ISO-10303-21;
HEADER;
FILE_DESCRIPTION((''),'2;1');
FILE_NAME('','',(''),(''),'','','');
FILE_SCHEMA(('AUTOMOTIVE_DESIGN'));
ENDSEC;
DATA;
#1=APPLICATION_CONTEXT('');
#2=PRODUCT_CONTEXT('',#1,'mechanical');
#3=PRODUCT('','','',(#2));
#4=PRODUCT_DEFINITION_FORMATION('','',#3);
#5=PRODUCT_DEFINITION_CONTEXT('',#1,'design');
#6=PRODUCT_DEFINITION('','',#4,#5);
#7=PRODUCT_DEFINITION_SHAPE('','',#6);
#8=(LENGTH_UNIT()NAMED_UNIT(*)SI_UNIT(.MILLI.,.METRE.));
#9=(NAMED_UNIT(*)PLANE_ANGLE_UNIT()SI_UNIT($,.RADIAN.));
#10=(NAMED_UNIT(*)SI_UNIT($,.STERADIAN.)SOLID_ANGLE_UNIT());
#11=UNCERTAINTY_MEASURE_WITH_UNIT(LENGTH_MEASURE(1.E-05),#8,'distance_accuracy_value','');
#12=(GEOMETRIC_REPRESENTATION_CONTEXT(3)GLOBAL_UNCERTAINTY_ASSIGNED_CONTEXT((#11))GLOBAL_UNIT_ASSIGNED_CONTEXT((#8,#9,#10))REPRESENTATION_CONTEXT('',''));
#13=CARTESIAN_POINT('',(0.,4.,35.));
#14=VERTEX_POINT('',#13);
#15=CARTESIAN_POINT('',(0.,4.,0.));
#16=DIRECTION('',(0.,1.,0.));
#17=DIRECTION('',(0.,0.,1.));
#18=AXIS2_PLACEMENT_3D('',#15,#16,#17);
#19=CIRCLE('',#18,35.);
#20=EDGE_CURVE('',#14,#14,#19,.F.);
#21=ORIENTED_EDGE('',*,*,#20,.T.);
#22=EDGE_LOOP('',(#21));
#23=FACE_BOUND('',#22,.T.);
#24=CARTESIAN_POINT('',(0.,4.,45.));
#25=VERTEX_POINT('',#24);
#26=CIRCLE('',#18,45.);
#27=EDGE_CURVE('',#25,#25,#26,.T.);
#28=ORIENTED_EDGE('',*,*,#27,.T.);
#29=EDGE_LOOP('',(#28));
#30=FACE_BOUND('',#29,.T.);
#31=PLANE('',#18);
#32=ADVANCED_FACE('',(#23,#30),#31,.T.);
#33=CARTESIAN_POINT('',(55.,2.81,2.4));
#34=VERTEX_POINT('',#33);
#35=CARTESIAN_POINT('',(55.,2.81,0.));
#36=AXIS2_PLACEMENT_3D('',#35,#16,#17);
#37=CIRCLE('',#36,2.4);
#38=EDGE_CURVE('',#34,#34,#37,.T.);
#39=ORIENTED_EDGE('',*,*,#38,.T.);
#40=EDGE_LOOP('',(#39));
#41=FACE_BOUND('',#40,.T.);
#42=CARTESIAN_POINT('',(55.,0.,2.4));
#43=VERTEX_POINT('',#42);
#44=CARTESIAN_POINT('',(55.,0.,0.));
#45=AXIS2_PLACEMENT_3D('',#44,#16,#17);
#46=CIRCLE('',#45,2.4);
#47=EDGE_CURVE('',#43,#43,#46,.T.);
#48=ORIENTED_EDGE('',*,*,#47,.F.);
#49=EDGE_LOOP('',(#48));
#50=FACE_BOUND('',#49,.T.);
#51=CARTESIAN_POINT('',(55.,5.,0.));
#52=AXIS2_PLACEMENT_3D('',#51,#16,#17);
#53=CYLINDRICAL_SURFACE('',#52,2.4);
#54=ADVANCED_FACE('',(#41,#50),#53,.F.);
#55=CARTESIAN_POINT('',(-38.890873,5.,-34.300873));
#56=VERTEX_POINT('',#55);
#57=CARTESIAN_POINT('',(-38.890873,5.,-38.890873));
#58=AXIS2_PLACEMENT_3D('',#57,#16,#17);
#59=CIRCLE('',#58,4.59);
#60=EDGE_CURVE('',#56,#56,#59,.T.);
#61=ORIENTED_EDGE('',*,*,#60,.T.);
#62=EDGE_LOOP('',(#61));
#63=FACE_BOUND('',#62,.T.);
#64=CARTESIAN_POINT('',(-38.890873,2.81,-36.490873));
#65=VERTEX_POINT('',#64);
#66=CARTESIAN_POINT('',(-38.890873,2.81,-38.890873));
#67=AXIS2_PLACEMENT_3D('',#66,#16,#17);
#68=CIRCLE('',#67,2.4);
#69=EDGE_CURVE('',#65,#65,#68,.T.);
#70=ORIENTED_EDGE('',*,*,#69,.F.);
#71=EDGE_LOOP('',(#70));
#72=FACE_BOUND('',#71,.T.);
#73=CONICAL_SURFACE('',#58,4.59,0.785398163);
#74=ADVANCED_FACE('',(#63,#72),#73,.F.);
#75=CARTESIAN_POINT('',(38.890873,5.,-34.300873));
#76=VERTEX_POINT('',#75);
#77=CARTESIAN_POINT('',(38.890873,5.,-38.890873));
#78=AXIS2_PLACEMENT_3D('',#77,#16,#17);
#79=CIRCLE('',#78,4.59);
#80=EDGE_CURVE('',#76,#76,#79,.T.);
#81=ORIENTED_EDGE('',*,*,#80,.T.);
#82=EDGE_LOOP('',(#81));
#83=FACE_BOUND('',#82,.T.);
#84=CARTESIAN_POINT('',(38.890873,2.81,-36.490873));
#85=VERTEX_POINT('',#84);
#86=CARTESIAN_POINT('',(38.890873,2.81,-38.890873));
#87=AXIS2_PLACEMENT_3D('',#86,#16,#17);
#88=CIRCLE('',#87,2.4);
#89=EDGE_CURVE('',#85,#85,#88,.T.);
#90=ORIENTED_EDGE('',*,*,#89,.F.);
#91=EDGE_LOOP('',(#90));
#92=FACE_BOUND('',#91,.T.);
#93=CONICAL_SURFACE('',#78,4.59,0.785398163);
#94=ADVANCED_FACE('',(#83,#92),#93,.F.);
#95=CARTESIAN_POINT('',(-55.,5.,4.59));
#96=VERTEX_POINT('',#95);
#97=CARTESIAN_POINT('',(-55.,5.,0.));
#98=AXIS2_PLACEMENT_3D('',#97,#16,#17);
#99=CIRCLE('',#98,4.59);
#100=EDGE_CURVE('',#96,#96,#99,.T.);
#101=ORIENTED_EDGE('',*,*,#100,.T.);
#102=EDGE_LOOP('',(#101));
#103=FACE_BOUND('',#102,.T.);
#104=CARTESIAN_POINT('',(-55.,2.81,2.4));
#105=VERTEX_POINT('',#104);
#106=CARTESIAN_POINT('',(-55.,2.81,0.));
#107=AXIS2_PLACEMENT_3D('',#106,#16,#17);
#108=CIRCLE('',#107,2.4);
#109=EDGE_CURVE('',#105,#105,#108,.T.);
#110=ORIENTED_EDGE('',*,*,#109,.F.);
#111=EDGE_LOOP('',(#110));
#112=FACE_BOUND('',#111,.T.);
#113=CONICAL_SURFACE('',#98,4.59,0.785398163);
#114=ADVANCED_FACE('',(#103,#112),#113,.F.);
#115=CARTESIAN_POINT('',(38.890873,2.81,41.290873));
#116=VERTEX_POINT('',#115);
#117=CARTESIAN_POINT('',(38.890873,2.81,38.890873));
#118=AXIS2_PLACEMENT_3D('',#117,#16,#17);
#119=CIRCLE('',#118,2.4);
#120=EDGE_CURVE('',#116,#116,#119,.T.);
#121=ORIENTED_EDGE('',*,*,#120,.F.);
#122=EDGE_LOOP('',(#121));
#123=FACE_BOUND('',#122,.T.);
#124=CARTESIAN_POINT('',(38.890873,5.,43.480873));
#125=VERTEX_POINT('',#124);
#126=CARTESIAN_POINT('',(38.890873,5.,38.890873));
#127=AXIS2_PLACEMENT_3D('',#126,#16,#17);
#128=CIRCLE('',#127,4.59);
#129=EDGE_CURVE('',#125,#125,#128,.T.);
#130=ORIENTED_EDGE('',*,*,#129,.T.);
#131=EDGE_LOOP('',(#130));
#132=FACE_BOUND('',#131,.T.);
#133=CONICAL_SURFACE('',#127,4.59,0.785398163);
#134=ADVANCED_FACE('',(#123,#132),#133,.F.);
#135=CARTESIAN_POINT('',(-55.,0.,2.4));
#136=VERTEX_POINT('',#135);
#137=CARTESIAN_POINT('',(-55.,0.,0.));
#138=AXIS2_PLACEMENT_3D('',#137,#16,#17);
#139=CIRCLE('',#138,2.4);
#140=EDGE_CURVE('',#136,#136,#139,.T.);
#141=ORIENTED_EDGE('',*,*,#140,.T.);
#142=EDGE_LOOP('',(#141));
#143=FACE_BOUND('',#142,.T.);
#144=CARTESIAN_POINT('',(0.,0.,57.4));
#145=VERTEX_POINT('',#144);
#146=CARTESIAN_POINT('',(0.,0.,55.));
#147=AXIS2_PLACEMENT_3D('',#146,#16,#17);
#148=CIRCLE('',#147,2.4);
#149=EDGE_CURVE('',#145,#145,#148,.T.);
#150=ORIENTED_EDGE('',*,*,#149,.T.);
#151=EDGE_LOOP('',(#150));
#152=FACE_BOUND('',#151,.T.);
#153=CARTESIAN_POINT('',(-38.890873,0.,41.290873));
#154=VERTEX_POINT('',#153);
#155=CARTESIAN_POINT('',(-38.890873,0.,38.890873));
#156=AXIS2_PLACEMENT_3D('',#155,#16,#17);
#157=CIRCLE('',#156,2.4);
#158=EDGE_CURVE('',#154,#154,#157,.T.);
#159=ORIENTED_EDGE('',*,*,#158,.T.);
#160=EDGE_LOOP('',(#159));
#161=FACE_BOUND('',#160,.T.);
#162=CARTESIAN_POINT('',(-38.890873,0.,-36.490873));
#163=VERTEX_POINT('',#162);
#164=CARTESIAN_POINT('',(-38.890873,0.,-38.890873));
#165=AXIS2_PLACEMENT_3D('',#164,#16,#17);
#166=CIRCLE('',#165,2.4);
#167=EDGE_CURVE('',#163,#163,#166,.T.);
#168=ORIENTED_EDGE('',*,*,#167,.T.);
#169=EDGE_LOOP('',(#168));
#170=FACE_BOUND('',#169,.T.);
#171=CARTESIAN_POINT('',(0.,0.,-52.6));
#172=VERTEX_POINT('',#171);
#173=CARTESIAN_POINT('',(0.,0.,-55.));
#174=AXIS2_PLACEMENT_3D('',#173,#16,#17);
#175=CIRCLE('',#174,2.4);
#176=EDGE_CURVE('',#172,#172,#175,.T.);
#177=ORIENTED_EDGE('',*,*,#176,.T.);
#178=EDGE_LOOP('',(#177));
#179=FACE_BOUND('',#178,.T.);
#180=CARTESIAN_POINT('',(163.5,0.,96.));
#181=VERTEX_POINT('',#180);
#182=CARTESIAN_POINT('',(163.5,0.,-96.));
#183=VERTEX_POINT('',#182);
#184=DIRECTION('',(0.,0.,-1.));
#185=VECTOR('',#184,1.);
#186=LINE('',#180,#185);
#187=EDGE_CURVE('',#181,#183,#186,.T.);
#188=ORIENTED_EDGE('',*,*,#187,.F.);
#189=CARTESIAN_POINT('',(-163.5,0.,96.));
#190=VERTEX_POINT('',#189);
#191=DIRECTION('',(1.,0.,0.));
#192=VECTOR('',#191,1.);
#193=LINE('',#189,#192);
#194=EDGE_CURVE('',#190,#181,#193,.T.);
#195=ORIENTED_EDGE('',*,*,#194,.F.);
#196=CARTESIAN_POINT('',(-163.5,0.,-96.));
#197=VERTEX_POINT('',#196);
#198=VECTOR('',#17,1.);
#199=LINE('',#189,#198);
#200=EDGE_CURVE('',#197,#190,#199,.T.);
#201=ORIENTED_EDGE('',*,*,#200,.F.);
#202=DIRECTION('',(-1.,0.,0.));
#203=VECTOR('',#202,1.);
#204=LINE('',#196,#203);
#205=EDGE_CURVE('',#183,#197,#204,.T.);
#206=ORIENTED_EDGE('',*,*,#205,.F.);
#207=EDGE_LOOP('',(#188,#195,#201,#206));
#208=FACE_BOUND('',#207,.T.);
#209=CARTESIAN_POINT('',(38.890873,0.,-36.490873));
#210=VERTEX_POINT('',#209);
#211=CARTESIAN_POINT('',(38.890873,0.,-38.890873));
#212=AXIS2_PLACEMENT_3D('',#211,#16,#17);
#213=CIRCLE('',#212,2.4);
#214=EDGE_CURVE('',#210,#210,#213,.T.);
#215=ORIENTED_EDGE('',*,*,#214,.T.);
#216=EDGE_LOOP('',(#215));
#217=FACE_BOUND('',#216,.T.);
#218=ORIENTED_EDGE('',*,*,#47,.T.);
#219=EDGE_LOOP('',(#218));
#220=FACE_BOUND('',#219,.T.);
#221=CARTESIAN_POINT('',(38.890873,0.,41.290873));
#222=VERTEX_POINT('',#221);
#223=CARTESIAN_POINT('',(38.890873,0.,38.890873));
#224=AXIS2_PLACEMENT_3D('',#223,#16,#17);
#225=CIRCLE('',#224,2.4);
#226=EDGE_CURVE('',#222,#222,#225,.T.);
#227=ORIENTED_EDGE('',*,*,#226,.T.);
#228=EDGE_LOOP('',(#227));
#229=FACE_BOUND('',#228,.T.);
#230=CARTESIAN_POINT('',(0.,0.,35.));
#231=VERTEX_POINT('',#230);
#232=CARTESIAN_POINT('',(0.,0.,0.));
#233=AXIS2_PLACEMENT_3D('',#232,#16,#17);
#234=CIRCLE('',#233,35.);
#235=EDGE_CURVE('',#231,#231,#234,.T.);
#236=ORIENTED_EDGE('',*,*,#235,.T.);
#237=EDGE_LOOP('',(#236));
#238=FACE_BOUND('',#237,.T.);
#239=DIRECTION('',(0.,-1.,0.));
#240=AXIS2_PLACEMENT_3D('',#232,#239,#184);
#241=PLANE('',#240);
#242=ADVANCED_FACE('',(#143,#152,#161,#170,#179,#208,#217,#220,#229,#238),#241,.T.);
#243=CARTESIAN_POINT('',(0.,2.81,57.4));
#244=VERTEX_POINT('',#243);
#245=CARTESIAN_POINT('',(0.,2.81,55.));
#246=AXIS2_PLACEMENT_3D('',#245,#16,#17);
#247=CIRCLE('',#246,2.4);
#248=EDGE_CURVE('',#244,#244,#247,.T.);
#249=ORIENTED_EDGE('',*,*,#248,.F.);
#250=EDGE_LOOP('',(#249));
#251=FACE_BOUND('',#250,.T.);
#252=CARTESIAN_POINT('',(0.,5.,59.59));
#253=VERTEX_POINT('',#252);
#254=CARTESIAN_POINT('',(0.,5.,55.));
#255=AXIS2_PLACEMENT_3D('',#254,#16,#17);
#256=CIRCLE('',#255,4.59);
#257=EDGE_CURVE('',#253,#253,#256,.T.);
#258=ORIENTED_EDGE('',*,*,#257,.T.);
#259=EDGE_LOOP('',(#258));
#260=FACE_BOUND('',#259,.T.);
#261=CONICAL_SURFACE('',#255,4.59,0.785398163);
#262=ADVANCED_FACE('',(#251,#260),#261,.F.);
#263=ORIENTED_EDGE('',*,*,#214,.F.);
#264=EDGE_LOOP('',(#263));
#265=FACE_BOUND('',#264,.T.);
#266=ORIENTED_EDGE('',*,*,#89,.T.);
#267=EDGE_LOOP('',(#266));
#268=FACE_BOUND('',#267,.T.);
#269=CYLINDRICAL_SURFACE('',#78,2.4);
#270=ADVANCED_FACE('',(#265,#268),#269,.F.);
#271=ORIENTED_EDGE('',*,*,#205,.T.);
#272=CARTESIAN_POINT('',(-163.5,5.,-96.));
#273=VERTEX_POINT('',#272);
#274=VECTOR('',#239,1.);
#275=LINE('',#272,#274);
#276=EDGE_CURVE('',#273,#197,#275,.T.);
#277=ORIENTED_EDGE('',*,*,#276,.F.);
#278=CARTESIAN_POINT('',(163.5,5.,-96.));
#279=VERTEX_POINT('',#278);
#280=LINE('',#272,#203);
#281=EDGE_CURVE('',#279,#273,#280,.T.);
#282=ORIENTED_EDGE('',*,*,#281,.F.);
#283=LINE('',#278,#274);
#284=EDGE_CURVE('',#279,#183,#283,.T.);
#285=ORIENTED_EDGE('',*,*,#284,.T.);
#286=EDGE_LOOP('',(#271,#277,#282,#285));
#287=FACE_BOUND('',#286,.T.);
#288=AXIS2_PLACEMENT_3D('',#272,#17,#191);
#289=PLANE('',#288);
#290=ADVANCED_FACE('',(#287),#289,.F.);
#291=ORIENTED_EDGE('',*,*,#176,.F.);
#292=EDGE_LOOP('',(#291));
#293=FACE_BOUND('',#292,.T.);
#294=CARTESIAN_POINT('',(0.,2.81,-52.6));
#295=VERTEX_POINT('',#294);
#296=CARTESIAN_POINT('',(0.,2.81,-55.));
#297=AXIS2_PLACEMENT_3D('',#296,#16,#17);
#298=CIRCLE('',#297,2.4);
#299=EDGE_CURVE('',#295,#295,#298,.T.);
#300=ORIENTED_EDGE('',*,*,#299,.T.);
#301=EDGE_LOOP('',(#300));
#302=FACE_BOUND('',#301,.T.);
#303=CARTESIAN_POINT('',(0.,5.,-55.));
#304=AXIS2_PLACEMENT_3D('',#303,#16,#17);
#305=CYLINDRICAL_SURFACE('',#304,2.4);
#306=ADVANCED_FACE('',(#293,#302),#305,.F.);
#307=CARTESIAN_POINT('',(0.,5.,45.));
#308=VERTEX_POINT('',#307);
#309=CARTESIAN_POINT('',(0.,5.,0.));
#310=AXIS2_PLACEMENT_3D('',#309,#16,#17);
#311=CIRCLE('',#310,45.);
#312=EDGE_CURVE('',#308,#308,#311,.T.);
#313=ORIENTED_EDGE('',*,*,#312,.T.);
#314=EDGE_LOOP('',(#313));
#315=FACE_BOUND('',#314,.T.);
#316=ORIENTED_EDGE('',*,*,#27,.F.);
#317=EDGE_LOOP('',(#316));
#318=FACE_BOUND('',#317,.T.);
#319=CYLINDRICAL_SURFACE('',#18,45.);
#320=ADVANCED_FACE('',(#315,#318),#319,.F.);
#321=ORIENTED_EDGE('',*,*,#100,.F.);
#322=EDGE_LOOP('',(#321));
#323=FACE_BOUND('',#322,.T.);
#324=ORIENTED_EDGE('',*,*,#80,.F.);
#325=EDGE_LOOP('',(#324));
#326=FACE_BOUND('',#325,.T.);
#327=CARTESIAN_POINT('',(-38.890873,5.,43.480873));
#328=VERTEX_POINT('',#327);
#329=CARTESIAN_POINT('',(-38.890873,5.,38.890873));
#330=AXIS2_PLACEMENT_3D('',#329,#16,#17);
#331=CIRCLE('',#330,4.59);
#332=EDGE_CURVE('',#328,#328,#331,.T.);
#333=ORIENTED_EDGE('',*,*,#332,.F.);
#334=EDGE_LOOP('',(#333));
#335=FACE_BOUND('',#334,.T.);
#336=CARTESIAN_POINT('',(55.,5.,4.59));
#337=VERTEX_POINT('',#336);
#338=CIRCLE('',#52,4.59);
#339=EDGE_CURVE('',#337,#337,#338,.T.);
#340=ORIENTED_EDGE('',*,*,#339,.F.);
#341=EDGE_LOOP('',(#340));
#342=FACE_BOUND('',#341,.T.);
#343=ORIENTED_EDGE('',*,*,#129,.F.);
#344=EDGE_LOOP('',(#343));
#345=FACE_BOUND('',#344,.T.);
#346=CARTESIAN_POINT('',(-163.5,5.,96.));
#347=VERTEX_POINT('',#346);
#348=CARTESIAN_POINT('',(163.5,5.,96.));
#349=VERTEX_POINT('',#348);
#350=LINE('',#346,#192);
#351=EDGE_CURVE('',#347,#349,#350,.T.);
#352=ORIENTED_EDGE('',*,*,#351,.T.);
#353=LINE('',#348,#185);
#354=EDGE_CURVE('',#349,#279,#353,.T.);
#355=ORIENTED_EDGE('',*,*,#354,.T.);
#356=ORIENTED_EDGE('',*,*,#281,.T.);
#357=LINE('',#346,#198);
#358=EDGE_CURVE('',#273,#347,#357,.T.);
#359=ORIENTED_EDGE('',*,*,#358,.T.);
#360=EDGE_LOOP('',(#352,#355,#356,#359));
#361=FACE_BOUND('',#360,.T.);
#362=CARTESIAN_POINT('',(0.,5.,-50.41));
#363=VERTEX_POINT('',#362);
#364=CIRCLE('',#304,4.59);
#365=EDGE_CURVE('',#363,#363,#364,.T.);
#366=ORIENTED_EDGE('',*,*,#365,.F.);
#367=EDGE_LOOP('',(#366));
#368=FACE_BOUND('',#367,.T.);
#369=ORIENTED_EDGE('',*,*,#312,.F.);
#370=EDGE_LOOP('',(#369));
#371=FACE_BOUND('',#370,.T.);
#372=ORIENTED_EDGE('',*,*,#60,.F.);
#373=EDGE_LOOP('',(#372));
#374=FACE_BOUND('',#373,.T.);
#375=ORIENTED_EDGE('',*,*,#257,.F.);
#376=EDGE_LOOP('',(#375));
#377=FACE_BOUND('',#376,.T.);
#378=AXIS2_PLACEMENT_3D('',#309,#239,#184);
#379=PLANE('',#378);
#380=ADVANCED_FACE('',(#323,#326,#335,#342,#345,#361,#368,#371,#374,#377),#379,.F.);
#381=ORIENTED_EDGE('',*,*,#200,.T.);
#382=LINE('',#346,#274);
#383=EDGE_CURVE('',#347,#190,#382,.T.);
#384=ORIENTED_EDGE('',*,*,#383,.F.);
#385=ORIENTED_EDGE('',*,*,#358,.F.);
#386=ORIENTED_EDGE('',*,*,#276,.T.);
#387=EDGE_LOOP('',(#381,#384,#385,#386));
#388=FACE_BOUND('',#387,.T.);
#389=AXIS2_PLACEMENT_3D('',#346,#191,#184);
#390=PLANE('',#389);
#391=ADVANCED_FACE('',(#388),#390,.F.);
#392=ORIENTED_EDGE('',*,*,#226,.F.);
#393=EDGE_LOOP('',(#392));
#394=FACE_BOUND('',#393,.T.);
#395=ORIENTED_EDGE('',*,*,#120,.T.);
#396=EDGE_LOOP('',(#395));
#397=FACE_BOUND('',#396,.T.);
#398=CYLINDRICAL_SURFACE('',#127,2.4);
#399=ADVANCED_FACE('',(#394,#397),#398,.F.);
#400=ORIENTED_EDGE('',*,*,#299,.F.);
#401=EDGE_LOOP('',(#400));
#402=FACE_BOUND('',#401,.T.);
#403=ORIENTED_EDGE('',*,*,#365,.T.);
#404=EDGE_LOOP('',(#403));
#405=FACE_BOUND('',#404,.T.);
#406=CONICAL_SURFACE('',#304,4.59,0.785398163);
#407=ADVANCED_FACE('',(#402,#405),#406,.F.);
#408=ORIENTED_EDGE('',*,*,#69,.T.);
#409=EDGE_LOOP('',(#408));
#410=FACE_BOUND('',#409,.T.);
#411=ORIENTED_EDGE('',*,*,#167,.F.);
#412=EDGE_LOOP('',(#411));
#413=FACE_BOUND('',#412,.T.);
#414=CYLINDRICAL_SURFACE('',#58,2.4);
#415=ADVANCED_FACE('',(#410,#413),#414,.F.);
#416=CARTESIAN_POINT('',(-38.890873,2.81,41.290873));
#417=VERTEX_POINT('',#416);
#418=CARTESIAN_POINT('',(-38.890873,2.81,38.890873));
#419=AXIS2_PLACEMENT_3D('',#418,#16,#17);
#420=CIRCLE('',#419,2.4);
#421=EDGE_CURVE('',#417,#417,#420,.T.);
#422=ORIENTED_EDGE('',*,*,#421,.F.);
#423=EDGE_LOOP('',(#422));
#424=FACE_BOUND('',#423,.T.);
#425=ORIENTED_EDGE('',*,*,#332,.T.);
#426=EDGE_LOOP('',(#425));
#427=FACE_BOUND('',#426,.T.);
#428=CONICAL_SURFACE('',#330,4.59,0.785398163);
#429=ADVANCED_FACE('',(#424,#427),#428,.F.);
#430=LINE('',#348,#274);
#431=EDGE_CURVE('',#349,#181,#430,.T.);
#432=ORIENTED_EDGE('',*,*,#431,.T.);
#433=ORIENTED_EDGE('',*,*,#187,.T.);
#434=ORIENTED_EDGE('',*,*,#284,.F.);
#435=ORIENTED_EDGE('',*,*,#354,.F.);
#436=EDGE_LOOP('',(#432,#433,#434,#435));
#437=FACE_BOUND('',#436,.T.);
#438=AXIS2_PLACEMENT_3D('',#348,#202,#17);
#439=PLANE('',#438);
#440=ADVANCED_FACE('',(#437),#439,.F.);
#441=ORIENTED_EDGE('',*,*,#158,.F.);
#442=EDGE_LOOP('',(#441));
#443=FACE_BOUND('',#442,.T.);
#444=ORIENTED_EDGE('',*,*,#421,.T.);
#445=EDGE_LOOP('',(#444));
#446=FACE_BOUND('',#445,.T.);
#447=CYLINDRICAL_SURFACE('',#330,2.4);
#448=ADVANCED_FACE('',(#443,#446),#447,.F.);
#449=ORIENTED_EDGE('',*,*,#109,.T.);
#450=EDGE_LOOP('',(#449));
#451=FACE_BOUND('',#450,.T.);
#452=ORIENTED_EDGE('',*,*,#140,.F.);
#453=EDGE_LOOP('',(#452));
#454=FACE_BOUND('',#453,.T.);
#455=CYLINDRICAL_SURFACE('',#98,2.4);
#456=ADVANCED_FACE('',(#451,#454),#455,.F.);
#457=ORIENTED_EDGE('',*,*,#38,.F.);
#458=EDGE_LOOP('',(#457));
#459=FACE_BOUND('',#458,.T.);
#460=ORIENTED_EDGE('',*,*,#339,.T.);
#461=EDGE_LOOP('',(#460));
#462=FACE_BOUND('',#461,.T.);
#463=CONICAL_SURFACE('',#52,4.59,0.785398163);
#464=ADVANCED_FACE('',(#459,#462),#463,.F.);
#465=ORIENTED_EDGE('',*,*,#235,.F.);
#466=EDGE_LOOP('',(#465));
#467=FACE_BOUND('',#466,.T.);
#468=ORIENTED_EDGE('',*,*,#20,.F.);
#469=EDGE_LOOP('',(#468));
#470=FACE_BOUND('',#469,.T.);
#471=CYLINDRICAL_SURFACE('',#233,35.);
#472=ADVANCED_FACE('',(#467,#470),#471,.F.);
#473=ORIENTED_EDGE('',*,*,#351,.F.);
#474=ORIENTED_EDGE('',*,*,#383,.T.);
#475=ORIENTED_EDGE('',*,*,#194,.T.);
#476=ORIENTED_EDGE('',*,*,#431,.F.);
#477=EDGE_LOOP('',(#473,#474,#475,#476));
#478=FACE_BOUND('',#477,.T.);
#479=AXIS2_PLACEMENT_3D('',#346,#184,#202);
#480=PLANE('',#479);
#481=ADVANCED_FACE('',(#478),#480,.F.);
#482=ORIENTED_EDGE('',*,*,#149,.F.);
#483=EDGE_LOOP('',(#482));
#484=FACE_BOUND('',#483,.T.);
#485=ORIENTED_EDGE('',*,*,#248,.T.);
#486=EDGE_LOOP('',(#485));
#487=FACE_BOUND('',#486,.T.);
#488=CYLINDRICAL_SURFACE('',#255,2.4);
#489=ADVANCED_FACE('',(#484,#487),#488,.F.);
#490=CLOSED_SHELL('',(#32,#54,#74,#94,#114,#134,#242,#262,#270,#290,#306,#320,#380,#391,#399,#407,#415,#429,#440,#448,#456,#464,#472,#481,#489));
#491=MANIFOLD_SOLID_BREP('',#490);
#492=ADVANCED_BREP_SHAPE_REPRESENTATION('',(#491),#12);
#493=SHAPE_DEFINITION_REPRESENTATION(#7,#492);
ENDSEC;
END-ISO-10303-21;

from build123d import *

# Parameters (mm, degrees)
SKETCH1_W                                            = 327
SKETCH1_H                                            = 192
BOSS_EXTRUDE1_DEPTH                                  = 5
SKETCH2_R                                            = 35
CUT_EXTRUDE1_DEPTH                                   = 190.666154071
SKETCH3_R                                            = 45
CUT_EXTRUDE2_DEPTH                                   = 1
CSK_FOR_M4_HEX_SOCKET_COUNTERSUNK_HEAD_S_D           = 4.8
CSK_FOR_M4_HEX_SOCKET_COUNTERSUNK_HEAD_S_CSINK_D     = 9.18
CSK_FOR_M4_HEX_SOCKET_COUNTERSUNK_HEAD_S_CSINK_ANGLE = 90


with BuildPart() as part:
    # Sketch1 → Boss-Extrude1 (new body)
    with BuildSketch(Plane(origin=(0, 0, 0), x_dir=(1, 0, 0), z_dir=(0, 1, 0))):
        Rectangle(SKETCH1_W, SKETCH1_H)
    extrude(amount=BOSS_EXTRUDE1_DEPTH)

    # Sketch2 → Cut-Extrude1 (cut, through all)
    with BuildSketch(Plane(origin=(0, 5, 0), x_dir=(1, 0, 0), z_dir=(0, 1, 0))):
        with Locations(Location((0, 0, 0), (0, 0, 270))):
            Circle(SKETCH2_R)
    extrude(amount=-CUT_EXTRUDE1_DEPTH, mode=Mode.SUBTRACT)

    # Sketch3 → Cut-Extrude2 (cut)
    with BuildSketch(Plane(origin=(0, 5, 0), x_dir=(1, 0, 0), z_dir=(0, 1, 0))):
        with Locations(Location((0, 0, 0), (0, 0, 270))):
            Circle(SKETCH3_R)
    extrude(amount=-CUT_EXTRUDE2_DEPTH, mode=Mode.SUBTRACT)

    # CSK for M4 Hex Socket Countersunk Head Screw1 (through all)
    with Locations(Plane(origin=(0, 5, 0), x_dir=(1, 0, 0), z_dir=(0, 1, 0))):
        with Locations((-38.890872965, -38.890872965), (-55, 0), (-38.890872965, 38.890872965), (0, 55), (38.890872965, 38.890872965), (55, 0), (38.890872965, -38.890872965), (0, -55)):
            CounterSinkHole(CSK_FOR_M4_HEX_SOCKET_COUNTERSUNK_HEAD_S_D / 2, CSK_FOR_M4_HEX_SOCKET_COUNTERSUNK_HEAD_S_CSINK_D / 2, counter_sink_angle=CSK_FOR_M4_HEX_SOCKET_COUNTERSUNK_HEAD_S_CSINK_ANGLE)


solid = part.part
